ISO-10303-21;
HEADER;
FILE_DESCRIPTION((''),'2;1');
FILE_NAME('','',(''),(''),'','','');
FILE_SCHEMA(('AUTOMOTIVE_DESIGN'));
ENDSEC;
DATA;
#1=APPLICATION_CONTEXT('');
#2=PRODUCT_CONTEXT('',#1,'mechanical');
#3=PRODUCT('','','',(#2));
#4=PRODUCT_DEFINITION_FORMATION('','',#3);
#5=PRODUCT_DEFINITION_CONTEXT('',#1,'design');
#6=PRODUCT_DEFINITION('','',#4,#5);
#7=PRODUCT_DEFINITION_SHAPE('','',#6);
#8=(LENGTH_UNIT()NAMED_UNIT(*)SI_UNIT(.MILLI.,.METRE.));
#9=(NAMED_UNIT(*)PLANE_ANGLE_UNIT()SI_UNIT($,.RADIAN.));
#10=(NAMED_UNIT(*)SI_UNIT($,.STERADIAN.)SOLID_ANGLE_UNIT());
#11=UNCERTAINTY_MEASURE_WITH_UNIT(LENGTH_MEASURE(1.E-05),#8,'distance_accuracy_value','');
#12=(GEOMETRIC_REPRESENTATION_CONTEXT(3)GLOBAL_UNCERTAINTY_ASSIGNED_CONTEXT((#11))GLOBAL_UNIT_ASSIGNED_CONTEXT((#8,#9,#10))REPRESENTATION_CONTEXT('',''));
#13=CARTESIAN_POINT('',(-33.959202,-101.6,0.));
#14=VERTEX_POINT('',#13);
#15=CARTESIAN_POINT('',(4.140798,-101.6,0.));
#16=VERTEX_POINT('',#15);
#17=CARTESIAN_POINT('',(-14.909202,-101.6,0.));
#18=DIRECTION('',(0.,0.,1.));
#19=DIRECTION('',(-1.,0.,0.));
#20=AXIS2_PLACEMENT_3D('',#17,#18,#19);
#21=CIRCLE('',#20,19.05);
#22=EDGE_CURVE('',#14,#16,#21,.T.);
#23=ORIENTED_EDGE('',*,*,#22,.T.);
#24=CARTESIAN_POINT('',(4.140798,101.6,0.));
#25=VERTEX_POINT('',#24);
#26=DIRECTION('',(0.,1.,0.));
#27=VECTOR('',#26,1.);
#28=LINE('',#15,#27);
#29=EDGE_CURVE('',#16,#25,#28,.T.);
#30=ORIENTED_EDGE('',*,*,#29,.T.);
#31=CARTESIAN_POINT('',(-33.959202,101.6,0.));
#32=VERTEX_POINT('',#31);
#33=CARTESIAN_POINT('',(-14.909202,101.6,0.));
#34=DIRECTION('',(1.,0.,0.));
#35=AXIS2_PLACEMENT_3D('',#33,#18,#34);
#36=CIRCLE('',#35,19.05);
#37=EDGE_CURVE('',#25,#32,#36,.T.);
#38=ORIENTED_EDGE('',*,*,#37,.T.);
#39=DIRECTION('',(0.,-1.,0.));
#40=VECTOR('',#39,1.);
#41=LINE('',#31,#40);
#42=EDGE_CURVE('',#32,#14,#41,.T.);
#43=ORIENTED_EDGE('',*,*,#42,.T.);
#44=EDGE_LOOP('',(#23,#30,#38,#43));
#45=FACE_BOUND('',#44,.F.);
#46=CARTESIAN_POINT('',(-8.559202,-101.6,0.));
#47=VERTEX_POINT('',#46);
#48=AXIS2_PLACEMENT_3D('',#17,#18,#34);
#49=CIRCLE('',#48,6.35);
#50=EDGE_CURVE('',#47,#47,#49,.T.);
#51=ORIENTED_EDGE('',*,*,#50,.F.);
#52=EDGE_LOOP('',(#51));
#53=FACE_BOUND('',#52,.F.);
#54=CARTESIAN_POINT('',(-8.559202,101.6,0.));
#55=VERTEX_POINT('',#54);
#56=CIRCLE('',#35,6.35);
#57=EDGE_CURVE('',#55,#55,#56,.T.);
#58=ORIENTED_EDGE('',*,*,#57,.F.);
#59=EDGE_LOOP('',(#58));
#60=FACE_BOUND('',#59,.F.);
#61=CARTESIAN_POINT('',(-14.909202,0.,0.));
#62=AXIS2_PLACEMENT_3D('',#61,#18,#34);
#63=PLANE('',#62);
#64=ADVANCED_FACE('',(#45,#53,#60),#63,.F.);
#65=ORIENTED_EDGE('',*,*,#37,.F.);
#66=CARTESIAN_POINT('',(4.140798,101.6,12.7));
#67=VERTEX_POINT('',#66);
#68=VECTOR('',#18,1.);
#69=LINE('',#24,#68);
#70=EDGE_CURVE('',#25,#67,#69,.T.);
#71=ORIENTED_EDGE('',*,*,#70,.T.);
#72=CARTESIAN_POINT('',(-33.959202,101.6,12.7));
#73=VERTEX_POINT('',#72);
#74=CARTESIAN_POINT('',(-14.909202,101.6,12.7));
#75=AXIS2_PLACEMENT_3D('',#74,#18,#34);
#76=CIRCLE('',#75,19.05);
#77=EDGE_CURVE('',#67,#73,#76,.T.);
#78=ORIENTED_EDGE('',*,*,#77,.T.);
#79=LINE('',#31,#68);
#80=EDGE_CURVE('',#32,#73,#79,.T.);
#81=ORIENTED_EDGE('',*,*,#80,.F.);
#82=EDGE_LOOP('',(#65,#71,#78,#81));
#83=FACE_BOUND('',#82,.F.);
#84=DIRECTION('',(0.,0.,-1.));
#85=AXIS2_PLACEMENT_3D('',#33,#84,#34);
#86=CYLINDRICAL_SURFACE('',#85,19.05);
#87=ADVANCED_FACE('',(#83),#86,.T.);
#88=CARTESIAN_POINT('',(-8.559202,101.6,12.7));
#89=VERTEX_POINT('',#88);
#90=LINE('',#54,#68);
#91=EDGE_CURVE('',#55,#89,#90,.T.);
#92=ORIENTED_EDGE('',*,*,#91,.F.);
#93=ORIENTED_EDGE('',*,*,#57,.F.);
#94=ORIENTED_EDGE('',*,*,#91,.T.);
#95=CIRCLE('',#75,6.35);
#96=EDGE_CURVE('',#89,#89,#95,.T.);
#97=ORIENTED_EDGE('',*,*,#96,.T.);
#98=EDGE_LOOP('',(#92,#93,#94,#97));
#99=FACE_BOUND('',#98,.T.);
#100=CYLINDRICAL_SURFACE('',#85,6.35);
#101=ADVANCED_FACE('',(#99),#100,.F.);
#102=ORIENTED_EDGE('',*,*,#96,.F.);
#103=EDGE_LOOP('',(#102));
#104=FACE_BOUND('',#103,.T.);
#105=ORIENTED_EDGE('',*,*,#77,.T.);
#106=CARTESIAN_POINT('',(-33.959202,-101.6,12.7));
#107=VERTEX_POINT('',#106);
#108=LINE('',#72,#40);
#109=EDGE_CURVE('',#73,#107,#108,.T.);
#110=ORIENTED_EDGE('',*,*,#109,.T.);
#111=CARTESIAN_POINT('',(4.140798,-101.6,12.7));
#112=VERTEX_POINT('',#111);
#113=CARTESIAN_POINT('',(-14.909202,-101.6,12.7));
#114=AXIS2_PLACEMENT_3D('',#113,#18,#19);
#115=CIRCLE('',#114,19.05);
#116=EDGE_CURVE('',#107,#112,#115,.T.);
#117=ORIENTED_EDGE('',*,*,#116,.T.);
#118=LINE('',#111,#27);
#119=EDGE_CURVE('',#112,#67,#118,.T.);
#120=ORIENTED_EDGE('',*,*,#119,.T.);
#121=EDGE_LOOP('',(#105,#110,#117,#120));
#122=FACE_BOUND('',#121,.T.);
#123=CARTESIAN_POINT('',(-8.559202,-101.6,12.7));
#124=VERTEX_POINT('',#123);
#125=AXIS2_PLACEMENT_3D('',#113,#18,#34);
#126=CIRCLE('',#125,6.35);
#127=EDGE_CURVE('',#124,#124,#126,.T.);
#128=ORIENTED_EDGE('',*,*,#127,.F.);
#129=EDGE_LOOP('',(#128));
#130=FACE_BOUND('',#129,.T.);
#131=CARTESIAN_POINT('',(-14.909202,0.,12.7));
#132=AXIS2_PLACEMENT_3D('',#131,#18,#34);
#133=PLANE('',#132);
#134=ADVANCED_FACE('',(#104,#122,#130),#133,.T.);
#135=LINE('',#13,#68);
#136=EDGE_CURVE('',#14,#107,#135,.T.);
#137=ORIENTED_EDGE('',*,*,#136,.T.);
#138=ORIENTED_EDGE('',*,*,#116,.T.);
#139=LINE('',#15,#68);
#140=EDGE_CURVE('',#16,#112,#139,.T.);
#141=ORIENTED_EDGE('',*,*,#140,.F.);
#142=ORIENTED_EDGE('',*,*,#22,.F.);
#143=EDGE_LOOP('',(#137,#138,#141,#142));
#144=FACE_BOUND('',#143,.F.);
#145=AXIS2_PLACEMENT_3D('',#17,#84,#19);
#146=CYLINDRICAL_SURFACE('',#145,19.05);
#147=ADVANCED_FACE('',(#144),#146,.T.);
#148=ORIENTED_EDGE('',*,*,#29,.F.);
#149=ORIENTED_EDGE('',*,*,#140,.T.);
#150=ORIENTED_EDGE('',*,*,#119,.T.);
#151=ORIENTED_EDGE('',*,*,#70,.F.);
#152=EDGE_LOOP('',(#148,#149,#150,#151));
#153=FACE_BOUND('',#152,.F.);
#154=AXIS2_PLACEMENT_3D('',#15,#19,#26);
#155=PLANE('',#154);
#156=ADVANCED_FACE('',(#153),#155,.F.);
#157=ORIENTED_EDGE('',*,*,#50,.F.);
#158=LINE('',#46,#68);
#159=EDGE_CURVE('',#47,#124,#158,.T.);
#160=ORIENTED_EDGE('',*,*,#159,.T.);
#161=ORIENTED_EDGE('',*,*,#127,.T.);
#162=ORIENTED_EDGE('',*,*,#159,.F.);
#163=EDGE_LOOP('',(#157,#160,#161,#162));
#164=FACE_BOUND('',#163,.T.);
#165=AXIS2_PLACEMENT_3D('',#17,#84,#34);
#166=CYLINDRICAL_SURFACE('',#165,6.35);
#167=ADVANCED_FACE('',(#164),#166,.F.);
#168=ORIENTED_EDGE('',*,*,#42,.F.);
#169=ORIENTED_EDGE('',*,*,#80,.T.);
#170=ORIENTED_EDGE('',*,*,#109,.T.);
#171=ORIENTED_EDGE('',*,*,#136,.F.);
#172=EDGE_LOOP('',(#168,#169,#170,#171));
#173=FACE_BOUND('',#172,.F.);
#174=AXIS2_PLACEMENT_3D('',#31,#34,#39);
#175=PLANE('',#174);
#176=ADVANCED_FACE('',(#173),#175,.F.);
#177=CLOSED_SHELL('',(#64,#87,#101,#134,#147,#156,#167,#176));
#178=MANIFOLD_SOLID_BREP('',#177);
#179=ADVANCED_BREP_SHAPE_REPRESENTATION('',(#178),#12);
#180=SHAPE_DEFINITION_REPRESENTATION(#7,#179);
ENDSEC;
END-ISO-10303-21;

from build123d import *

# Parameters (mm, degrees)
F0_R     = 6.35
F1_DEPTH = 12.7


with BuildPart() as f1:
    # F0 (on Top) → F1 (new body)
    with BuildSketch(Plane.XY):
        with BuildLine():
            ThreePointArc((4.140798, 101.6), (-14.909202, 120.65), (-33.959202, 101.6))
            Line((-33.959202, 101.6), (-33.959202, 0))
            Line((-33.959202, 0), (-33.959202, -101.6))
            ThreePointArc((-33.959202, -101.6), (-14.909202, -120.65), (4.140798, -101.6))
            Line((4.140798, -101.6), (4.140798, 0))
            Line((4.140798, 0), (4.140798, 101.6))
        make_face()
        with Locations((-14.909202, -101.6)):
            Circle(F0_R, mode=Mode.SUBTRACT)
        with Locations((-14.909202, 101.6)):
            Circle(F0_R, mode=Mode.SUBTRACT)
    extrude(amount=F1_DEPTH)


solid = f1.part
